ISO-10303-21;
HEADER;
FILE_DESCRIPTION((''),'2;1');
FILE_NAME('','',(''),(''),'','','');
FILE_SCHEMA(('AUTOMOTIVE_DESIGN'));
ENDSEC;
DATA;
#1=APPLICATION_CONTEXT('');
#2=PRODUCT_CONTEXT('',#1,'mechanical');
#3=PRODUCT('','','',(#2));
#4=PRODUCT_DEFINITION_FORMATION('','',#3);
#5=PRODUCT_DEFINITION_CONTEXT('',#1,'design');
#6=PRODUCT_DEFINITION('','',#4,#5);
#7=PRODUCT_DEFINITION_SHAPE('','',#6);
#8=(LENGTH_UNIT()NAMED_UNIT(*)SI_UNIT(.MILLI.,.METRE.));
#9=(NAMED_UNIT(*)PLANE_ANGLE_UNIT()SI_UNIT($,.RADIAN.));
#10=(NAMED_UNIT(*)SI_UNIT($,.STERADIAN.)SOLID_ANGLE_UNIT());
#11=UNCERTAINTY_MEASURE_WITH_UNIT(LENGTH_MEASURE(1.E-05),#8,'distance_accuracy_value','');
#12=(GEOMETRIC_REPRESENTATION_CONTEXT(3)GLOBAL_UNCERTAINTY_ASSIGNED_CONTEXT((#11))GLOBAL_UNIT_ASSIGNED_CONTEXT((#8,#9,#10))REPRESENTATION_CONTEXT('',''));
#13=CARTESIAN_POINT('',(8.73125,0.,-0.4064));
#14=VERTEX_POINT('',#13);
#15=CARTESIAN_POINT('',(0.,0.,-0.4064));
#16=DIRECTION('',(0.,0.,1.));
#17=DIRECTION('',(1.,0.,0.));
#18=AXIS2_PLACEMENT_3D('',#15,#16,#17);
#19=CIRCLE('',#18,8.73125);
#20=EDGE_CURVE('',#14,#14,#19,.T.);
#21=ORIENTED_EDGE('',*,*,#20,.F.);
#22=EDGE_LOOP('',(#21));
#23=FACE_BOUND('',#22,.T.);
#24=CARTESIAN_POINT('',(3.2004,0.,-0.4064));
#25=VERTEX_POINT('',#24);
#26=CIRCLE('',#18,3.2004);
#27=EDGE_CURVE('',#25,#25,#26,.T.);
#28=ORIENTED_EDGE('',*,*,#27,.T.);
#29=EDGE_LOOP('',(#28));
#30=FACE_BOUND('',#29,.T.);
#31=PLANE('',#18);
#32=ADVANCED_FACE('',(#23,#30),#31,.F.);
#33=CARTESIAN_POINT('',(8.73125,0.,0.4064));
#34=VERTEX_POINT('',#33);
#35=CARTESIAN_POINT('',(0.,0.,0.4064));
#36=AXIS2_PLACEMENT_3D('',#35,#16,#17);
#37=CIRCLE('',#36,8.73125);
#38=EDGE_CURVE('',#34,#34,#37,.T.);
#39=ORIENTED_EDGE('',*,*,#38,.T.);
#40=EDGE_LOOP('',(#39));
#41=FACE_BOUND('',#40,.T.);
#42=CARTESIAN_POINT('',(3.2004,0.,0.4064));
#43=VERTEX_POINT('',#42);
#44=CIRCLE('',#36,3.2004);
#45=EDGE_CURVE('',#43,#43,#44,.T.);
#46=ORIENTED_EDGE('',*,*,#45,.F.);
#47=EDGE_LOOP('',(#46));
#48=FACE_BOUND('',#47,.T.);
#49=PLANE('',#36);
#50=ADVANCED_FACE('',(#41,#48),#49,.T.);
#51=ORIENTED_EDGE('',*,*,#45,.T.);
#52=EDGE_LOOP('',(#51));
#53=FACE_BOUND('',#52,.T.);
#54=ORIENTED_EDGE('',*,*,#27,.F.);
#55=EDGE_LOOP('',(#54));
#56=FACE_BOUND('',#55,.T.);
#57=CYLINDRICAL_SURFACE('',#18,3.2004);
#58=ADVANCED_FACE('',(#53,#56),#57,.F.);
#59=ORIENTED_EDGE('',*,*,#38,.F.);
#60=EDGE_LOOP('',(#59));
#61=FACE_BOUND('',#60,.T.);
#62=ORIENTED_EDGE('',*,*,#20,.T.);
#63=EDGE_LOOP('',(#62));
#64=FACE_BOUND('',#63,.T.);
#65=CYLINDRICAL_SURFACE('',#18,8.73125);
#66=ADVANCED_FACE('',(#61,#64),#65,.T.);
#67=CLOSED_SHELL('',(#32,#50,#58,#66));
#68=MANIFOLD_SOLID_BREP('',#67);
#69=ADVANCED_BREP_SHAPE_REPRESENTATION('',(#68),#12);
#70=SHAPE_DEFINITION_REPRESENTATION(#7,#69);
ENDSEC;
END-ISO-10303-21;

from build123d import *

# Parameters (mm, degrees)
SKETCH3_R                = 8.73125
SKETCH3_R_2              = 3.2004
BOSS_EXTRUDE1_DEPTH      = 0.4064
BOSS_EXTRUDE1_DEPTH_BACK = 0.4064


with BuildPart() as part:
    # Sketch3 → Boss-Extrude1 (new body, two sides)
    with BuildSketch(Plane.XY) as boss_extrude1_sk:
        Circle(SKETCH3_R)
        Circle(SKETCH3_R_2, mode=Mode.SUBTRACT)
    extrude(amount=BOSS_EXTRUDE1_DEPTH)
    extrude(boss_extrude1_sk.sketch, amount=-BOSS_EXTRUDE1_DEPTH_BACK)


solid = part.part
